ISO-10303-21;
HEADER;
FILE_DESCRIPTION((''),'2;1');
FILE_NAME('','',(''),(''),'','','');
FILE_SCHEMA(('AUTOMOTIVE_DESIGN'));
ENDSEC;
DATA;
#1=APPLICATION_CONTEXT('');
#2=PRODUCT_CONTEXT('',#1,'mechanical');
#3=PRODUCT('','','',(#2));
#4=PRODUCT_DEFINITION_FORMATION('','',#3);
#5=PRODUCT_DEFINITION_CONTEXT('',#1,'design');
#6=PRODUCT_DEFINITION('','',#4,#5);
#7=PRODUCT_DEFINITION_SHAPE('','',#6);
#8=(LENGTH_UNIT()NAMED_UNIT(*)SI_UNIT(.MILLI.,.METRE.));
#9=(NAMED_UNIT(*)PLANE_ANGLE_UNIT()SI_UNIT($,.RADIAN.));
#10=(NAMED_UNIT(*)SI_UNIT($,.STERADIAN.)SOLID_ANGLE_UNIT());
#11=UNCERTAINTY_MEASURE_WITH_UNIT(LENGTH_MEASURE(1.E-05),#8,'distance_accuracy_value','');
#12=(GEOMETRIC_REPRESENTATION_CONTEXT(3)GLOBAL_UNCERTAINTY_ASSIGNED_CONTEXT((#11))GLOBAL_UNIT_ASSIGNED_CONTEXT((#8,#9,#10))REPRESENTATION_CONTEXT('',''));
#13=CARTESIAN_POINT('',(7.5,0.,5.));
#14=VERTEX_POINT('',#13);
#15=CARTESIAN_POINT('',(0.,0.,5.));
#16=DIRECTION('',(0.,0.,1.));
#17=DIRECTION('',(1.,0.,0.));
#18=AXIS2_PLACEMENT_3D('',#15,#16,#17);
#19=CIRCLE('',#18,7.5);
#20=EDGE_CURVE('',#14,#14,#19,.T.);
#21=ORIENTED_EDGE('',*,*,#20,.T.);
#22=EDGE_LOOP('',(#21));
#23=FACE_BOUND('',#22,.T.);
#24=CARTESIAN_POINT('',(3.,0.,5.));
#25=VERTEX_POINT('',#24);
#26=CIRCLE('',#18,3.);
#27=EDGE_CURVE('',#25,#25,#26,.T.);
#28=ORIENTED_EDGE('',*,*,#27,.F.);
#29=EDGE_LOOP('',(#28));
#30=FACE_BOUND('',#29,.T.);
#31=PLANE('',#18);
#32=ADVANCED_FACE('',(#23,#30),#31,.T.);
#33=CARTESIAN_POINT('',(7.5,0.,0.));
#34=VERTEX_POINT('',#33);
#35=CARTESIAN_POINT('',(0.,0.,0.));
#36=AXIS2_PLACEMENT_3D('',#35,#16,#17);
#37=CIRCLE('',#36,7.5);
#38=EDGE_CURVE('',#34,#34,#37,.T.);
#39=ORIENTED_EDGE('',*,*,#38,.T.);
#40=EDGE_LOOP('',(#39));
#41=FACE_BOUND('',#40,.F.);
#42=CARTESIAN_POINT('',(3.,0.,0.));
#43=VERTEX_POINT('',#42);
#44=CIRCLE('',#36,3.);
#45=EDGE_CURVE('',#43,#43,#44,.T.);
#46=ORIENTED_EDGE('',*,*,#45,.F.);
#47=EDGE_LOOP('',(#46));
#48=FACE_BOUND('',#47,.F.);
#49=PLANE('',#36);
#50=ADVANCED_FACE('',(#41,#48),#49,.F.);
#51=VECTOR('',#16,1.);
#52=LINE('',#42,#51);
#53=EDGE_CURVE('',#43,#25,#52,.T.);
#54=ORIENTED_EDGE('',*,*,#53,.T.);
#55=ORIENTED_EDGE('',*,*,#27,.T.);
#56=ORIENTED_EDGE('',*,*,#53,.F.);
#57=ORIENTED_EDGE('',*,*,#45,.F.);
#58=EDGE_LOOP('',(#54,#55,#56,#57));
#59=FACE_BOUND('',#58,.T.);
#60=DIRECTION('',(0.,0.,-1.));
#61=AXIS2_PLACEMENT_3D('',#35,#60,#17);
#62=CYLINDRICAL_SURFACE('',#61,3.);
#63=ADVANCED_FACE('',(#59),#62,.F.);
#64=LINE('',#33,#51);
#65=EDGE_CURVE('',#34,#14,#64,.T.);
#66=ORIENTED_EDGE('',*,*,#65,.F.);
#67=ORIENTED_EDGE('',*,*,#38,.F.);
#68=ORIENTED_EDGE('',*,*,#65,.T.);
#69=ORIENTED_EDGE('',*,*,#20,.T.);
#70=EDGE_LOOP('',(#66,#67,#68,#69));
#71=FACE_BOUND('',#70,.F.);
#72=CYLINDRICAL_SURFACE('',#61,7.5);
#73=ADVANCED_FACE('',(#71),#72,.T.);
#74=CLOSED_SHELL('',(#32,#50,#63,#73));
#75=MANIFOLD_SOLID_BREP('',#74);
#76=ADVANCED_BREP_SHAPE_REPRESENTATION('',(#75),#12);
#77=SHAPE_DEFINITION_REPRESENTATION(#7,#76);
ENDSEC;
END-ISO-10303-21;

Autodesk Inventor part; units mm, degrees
ref_plane "YZ Plane" through (0, 0, 0) normal (1, 0, 0) x (0, 1, 0)
ref_plane "XZ Plane" through (0, 0, 0) normal (0, 1, 0) x (-1, 0, 0)
ref_plane "XY Plane" through (0, 0, 0) normal (0, 0, 1) x (1, 0, 0)
sketch "Sketch1" plane through (0, 0, 0) normal (0, 0, 1) x (1, 0, 0)
  circle A0 centre (0, 0) radius 7.5
  circle A1 centre (0, 0) radius 3
  dimension "d0" = 15
  dimension "d1" = 6
extrude "Extrusion1" add sketch "Sketch1" along normal blind 5
properties part number "ball_bearing_no_flange"
